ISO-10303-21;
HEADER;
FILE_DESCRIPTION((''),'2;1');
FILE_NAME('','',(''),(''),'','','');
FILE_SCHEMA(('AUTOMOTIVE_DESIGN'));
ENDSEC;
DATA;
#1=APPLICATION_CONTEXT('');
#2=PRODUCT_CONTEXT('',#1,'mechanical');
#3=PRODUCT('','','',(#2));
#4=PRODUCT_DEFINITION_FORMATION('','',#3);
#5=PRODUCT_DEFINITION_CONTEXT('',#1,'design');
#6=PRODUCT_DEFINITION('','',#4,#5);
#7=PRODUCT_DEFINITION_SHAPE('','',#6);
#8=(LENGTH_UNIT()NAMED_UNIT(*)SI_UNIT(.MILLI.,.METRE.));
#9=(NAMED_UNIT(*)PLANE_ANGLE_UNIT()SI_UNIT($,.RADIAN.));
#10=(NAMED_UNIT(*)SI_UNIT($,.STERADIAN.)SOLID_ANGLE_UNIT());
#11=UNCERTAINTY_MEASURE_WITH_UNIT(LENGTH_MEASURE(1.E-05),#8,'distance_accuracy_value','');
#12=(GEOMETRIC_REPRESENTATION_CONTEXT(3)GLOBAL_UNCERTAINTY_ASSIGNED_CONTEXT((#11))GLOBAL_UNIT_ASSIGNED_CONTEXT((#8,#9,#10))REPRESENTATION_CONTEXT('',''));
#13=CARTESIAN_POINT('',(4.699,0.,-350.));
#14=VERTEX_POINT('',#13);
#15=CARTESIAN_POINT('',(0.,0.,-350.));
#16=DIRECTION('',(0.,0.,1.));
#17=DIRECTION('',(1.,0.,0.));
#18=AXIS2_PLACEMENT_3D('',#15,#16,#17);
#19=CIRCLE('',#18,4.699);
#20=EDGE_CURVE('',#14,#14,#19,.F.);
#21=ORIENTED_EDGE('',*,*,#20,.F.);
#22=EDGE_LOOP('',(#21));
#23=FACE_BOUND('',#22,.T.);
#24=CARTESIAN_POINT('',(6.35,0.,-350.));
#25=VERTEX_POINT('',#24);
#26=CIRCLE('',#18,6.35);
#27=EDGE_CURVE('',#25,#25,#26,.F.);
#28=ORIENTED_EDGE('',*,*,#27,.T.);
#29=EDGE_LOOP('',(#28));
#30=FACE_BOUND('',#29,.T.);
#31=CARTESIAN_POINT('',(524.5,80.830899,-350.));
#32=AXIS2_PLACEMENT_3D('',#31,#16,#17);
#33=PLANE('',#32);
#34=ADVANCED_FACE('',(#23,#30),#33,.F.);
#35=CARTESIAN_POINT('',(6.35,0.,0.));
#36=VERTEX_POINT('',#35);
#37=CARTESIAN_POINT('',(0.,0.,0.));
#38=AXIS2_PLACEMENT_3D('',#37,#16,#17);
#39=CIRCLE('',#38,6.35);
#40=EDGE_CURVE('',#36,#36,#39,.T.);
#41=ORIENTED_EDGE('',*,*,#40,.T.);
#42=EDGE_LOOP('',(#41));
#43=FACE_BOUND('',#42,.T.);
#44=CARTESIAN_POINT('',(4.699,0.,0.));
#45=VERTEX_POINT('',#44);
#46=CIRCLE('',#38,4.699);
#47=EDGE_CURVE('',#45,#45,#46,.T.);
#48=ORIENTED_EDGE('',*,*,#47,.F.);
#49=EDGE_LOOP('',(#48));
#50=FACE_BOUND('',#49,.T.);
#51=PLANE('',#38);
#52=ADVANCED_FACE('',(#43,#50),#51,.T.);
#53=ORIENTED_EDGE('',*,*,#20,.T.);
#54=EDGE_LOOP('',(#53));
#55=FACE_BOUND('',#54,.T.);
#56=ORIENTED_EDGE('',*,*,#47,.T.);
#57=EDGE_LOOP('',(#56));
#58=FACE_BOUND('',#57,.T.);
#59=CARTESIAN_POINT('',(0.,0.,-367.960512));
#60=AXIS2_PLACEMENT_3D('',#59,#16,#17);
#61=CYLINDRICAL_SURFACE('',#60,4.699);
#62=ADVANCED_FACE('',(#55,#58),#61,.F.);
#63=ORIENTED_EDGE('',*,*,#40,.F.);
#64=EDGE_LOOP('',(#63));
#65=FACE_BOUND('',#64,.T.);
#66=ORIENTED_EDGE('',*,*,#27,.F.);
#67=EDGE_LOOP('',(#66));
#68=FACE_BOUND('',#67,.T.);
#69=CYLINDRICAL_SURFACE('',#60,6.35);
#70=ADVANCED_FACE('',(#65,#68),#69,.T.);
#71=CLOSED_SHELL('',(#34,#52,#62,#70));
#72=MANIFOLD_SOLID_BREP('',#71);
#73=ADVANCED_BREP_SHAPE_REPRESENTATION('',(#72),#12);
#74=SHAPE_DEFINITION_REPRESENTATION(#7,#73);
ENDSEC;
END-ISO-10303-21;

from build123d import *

# Parameters (mm, degrees)
SKETCH1_R           = 6.35
SKETCH1_R_2         = 4.699
BOSS_EXTRUDE1_DEPTH = 350


with BuildPart() as part:
    # Sketch1 → Boss-Extrude1 (new body)
    with BuildSketch(Plane.XY):
        Circle(SKETCH1_R)
        Circle(SKETCH1_R_2, mode=Mode.SUBTRACT)
    extrude(amount=-BOSS_EXTRUDE1_DEPTH)


solid = part.part
